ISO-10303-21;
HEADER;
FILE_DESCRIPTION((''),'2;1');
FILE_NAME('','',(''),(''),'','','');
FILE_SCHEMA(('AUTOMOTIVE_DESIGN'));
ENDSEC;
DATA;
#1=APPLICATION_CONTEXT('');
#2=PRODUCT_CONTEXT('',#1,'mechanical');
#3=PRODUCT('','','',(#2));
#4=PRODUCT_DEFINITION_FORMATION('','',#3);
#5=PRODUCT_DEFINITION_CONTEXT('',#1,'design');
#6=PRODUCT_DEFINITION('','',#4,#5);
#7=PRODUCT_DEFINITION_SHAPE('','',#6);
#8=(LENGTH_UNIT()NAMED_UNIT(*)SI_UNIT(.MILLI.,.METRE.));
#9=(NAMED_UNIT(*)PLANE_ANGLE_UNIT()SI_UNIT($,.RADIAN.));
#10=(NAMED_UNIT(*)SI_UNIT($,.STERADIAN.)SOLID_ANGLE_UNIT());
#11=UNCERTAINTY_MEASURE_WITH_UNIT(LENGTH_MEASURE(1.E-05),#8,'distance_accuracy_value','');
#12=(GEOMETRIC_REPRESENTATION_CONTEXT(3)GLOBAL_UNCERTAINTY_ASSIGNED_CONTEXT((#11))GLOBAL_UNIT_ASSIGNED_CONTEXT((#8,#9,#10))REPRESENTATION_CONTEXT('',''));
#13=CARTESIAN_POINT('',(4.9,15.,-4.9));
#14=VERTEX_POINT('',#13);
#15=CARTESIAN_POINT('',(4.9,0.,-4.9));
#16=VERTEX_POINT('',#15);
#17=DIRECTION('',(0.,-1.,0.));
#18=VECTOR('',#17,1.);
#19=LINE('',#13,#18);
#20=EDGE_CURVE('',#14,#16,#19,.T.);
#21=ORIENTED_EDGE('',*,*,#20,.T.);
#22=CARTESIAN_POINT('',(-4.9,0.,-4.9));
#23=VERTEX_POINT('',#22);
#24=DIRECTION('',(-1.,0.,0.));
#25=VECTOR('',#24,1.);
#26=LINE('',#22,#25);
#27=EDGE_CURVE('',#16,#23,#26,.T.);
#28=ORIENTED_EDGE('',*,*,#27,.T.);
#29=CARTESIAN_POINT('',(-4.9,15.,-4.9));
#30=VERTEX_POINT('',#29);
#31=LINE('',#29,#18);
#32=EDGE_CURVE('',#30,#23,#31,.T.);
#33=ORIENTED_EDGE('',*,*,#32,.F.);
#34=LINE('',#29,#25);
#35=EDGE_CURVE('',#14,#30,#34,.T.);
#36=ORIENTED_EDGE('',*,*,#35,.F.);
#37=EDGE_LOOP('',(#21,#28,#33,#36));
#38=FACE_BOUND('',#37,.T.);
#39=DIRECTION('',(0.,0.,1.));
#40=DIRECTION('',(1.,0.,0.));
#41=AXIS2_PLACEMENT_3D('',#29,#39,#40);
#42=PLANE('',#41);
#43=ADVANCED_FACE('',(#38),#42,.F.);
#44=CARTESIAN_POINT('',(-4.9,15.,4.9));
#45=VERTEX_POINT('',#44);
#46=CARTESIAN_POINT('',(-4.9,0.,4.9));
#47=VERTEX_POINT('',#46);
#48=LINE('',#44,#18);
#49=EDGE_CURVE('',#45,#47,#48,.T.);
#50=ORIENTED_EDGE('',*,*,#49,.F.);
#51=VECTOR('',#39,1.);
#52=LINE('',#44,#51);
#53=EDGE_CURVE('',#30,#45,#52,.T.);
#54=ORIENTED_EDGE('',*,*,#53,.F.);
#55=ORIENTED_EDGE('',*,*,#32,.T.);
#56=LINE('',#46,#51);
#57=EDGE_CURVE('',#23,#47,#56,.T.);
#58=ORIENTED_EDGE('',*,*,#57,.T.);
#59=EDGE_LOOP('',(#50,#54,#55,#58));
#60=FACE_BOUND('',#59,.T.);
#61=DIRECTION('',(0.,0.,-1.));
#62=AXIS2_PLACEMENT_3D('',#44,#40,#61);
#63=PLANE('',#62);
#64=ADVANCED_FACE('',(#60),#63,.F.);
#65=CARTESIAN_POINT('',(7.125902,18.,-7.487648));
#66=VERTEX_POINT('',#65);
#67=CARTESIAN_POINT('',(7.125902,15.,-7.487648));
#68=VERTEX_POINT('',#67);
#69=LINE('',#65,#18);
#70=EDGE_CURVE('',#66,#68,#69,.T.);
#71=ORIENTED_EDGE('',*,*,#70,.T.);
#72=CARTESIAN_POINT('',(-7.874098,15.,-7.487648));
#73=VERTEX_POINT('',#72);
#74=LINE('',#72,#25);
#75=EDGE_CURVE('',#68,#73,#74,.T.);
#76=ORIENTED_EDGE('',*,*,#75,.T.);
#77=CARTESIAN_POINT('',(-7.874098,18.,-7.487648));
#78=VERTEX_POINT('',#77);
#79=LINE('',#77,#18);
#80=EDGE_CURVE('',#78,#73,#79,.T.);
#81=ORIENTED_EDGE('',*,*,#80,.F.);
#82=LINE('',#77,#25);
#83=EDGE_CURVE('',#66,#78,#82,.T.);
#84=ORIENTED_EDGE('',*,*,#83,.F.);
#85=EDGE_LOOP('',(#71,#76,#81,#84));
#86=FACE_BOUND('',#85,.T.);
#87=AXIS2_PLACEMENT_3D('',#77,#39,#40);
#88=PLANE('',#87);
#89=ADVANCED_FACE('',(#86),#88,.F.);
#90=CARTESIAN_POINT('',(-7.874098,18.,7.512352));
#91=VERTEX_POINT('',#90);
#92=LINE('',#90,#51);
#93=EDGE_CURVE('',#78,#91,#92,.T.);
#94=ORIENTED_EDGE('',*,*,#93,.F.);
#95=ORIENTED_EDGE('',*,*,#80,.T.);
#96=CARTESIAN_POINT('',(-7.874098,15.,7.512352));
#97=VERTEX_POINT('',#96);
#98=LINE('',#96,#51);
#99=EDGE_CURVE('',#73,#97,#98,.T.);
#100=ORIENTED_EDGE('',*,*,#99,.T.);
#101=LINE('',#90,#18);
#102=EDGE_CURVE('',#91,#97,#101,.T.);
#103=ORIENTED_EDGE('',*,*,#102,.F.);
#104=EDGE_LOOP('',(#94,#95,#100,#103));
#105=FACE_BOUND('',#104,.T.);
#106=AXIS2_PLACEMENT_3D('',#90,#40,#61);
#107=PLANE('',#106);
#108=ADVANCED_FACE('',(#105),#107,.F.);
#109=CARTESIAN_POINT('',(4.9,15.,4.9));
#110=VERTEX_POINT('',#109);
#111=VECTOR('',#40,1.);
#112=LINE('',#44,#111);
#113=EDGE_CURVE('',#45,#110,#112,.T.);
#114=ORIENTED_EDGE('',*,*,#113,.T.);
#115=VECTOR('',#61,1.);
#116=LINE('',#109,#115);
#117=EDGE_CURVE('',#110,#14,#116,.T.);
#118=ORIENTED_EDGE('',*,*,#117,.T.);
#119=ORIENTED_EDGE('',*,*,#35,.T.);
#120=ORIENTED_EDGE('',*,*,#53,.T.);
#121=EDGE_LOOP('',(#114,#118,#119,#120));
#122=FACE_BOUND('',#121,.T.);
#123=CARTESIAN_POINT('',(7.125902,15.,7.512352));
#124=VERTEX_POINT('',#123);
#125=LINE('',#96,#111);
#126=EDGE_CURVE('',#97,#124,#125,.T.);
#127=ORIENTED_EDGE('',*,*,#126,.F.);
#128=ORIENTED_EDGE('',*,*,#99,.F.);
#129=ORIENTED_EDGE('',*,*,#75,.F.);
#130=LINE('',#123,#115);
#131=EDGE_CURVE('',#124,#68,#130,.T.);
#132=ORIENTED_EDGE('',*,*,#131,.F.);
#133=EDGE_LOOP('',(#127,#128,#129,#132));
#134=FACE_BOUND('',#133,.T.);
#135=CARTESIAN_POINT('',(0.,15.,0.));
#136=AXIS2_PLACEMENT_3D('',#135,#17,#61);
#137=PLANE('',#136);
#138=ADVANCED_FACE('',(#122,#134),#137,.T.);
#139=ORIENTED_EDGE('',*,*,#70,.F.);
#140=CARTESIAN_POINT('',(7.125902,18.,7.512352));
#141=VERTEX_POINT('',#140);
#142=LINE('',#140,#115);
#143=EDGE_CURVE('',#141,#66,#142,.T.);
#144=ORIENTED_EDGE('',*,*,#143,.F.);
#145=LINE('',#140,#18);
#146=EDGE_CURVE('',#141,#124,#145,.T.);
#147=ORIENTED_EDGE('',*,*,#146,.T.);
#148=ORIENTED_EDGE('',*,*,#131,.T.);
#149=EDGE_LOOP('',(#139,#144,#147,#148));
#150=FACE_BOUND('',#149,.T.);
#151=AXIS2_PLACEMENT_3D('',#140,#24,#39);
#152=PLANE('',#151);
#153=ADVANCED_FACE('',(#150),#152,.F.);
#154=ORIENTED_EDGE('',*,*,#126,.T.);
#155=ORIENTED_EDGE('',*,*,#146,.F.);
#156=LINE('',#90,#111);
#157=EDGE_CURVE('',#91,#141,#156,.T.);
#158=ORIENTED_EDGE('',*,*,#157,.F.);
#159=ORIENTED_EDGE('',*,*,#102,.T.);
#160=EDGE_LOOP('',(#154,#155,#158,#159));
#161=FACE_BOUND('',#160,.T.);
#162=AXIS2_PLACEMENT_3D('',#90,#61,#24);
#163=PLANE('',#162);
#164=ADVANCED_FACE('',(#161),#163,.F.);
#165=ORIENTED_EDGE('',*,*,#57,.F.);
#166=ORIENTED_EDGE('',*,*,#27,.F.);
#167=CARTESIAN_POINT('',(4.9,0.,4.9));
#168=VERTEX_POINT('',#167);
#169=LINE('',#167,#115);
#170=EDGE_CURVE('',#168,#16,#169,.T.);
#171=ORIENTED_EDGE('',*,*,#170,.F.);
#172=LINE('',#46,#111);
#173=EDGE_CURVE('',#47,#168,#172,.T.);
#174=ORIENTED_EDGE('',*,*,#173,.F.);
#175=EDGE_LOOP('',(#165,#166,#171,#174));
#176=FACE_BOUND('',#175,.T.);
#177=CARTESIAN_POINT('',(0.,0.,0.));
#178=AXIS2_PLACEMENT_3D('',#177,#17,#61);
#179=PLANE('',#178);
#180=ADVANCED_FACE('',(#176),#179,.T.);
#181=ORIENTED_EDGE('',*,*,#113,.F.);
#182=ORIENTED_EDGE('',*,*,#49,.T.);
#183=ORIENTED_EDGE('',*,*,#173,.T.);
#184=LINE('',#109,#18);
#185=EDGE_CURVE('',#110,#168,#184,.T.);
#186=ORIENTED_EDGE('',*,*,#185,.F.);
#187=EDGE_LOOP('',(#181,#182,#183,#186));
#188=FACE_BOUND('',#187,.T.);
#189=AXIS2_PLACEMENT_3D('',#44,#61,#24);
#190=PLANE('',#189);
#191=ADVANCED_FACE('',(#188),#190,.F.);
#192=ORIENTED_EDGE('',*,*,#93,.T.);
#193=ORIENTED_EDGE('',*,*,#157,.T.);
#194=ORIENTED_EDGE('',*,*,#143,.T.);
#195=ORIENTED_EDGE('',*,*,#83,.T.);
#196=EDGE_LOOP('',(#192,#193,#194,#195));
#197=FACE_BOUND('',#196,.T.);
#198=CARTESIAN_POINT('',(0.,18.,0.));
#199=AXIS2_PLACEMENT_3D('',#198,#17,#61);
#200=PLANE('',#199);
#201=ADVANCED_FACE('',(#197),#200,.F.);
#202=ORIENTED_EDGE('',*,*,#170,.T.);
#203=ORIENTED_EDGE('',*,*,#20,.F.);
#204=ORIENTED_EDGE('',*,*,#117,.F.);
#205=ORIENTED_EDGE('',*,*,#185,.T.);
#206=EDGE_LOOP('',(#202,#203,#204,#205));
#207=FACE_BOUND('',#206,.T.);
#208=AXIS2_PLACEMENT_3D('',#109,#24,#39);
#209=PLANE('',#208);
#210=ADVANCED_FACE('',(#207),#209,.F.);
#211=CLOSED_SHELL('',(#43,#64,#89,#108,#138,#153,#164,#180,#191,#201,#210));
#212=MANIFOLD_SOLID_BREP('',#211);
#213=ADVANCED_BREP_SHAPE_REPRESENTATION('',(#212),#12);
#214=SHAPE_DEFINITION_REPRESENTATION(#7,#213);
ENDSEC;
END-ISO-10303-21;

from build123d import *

# Parameters (mm, degrees)
SKETCH1_W           = 9.8
SKETCH1_H           = 9.8
BOSS_EXTRUDE1_DEPTH = 15
SKETCH2_W           = 15
SKETCH2_H           = 15
BOSS_EXTRUDE2_DEPTH = 3


with BuildPart() as part:
    # Sketch1 → Boss-Extrude1 (new body)
    with BuildSketch(Plane(origin=(0, 0, 0), x_dir=(1, 0, 0), z_dir=(0, 1, 0))):
        Rectangle(SKETCH1_W, SKETCH1_H)
    extrude(amount=BOSS_EXTRUDE1_DEPTH)

    # Sketch2 → Boss-Extrude2 (add)
    with BuildSketch(Plane(origin=(0, 15, 0), x_dir=(1, 0, 0), z_dir=(0, 1, 0))):
        with Locations((-0.374098318, -0.012352032)):
            Rectangle(SKETCH2_W, SKETCH2_H)
    extrude(amount=BOSS_EXTRUDE2_DEPTH)


solid = part.part
